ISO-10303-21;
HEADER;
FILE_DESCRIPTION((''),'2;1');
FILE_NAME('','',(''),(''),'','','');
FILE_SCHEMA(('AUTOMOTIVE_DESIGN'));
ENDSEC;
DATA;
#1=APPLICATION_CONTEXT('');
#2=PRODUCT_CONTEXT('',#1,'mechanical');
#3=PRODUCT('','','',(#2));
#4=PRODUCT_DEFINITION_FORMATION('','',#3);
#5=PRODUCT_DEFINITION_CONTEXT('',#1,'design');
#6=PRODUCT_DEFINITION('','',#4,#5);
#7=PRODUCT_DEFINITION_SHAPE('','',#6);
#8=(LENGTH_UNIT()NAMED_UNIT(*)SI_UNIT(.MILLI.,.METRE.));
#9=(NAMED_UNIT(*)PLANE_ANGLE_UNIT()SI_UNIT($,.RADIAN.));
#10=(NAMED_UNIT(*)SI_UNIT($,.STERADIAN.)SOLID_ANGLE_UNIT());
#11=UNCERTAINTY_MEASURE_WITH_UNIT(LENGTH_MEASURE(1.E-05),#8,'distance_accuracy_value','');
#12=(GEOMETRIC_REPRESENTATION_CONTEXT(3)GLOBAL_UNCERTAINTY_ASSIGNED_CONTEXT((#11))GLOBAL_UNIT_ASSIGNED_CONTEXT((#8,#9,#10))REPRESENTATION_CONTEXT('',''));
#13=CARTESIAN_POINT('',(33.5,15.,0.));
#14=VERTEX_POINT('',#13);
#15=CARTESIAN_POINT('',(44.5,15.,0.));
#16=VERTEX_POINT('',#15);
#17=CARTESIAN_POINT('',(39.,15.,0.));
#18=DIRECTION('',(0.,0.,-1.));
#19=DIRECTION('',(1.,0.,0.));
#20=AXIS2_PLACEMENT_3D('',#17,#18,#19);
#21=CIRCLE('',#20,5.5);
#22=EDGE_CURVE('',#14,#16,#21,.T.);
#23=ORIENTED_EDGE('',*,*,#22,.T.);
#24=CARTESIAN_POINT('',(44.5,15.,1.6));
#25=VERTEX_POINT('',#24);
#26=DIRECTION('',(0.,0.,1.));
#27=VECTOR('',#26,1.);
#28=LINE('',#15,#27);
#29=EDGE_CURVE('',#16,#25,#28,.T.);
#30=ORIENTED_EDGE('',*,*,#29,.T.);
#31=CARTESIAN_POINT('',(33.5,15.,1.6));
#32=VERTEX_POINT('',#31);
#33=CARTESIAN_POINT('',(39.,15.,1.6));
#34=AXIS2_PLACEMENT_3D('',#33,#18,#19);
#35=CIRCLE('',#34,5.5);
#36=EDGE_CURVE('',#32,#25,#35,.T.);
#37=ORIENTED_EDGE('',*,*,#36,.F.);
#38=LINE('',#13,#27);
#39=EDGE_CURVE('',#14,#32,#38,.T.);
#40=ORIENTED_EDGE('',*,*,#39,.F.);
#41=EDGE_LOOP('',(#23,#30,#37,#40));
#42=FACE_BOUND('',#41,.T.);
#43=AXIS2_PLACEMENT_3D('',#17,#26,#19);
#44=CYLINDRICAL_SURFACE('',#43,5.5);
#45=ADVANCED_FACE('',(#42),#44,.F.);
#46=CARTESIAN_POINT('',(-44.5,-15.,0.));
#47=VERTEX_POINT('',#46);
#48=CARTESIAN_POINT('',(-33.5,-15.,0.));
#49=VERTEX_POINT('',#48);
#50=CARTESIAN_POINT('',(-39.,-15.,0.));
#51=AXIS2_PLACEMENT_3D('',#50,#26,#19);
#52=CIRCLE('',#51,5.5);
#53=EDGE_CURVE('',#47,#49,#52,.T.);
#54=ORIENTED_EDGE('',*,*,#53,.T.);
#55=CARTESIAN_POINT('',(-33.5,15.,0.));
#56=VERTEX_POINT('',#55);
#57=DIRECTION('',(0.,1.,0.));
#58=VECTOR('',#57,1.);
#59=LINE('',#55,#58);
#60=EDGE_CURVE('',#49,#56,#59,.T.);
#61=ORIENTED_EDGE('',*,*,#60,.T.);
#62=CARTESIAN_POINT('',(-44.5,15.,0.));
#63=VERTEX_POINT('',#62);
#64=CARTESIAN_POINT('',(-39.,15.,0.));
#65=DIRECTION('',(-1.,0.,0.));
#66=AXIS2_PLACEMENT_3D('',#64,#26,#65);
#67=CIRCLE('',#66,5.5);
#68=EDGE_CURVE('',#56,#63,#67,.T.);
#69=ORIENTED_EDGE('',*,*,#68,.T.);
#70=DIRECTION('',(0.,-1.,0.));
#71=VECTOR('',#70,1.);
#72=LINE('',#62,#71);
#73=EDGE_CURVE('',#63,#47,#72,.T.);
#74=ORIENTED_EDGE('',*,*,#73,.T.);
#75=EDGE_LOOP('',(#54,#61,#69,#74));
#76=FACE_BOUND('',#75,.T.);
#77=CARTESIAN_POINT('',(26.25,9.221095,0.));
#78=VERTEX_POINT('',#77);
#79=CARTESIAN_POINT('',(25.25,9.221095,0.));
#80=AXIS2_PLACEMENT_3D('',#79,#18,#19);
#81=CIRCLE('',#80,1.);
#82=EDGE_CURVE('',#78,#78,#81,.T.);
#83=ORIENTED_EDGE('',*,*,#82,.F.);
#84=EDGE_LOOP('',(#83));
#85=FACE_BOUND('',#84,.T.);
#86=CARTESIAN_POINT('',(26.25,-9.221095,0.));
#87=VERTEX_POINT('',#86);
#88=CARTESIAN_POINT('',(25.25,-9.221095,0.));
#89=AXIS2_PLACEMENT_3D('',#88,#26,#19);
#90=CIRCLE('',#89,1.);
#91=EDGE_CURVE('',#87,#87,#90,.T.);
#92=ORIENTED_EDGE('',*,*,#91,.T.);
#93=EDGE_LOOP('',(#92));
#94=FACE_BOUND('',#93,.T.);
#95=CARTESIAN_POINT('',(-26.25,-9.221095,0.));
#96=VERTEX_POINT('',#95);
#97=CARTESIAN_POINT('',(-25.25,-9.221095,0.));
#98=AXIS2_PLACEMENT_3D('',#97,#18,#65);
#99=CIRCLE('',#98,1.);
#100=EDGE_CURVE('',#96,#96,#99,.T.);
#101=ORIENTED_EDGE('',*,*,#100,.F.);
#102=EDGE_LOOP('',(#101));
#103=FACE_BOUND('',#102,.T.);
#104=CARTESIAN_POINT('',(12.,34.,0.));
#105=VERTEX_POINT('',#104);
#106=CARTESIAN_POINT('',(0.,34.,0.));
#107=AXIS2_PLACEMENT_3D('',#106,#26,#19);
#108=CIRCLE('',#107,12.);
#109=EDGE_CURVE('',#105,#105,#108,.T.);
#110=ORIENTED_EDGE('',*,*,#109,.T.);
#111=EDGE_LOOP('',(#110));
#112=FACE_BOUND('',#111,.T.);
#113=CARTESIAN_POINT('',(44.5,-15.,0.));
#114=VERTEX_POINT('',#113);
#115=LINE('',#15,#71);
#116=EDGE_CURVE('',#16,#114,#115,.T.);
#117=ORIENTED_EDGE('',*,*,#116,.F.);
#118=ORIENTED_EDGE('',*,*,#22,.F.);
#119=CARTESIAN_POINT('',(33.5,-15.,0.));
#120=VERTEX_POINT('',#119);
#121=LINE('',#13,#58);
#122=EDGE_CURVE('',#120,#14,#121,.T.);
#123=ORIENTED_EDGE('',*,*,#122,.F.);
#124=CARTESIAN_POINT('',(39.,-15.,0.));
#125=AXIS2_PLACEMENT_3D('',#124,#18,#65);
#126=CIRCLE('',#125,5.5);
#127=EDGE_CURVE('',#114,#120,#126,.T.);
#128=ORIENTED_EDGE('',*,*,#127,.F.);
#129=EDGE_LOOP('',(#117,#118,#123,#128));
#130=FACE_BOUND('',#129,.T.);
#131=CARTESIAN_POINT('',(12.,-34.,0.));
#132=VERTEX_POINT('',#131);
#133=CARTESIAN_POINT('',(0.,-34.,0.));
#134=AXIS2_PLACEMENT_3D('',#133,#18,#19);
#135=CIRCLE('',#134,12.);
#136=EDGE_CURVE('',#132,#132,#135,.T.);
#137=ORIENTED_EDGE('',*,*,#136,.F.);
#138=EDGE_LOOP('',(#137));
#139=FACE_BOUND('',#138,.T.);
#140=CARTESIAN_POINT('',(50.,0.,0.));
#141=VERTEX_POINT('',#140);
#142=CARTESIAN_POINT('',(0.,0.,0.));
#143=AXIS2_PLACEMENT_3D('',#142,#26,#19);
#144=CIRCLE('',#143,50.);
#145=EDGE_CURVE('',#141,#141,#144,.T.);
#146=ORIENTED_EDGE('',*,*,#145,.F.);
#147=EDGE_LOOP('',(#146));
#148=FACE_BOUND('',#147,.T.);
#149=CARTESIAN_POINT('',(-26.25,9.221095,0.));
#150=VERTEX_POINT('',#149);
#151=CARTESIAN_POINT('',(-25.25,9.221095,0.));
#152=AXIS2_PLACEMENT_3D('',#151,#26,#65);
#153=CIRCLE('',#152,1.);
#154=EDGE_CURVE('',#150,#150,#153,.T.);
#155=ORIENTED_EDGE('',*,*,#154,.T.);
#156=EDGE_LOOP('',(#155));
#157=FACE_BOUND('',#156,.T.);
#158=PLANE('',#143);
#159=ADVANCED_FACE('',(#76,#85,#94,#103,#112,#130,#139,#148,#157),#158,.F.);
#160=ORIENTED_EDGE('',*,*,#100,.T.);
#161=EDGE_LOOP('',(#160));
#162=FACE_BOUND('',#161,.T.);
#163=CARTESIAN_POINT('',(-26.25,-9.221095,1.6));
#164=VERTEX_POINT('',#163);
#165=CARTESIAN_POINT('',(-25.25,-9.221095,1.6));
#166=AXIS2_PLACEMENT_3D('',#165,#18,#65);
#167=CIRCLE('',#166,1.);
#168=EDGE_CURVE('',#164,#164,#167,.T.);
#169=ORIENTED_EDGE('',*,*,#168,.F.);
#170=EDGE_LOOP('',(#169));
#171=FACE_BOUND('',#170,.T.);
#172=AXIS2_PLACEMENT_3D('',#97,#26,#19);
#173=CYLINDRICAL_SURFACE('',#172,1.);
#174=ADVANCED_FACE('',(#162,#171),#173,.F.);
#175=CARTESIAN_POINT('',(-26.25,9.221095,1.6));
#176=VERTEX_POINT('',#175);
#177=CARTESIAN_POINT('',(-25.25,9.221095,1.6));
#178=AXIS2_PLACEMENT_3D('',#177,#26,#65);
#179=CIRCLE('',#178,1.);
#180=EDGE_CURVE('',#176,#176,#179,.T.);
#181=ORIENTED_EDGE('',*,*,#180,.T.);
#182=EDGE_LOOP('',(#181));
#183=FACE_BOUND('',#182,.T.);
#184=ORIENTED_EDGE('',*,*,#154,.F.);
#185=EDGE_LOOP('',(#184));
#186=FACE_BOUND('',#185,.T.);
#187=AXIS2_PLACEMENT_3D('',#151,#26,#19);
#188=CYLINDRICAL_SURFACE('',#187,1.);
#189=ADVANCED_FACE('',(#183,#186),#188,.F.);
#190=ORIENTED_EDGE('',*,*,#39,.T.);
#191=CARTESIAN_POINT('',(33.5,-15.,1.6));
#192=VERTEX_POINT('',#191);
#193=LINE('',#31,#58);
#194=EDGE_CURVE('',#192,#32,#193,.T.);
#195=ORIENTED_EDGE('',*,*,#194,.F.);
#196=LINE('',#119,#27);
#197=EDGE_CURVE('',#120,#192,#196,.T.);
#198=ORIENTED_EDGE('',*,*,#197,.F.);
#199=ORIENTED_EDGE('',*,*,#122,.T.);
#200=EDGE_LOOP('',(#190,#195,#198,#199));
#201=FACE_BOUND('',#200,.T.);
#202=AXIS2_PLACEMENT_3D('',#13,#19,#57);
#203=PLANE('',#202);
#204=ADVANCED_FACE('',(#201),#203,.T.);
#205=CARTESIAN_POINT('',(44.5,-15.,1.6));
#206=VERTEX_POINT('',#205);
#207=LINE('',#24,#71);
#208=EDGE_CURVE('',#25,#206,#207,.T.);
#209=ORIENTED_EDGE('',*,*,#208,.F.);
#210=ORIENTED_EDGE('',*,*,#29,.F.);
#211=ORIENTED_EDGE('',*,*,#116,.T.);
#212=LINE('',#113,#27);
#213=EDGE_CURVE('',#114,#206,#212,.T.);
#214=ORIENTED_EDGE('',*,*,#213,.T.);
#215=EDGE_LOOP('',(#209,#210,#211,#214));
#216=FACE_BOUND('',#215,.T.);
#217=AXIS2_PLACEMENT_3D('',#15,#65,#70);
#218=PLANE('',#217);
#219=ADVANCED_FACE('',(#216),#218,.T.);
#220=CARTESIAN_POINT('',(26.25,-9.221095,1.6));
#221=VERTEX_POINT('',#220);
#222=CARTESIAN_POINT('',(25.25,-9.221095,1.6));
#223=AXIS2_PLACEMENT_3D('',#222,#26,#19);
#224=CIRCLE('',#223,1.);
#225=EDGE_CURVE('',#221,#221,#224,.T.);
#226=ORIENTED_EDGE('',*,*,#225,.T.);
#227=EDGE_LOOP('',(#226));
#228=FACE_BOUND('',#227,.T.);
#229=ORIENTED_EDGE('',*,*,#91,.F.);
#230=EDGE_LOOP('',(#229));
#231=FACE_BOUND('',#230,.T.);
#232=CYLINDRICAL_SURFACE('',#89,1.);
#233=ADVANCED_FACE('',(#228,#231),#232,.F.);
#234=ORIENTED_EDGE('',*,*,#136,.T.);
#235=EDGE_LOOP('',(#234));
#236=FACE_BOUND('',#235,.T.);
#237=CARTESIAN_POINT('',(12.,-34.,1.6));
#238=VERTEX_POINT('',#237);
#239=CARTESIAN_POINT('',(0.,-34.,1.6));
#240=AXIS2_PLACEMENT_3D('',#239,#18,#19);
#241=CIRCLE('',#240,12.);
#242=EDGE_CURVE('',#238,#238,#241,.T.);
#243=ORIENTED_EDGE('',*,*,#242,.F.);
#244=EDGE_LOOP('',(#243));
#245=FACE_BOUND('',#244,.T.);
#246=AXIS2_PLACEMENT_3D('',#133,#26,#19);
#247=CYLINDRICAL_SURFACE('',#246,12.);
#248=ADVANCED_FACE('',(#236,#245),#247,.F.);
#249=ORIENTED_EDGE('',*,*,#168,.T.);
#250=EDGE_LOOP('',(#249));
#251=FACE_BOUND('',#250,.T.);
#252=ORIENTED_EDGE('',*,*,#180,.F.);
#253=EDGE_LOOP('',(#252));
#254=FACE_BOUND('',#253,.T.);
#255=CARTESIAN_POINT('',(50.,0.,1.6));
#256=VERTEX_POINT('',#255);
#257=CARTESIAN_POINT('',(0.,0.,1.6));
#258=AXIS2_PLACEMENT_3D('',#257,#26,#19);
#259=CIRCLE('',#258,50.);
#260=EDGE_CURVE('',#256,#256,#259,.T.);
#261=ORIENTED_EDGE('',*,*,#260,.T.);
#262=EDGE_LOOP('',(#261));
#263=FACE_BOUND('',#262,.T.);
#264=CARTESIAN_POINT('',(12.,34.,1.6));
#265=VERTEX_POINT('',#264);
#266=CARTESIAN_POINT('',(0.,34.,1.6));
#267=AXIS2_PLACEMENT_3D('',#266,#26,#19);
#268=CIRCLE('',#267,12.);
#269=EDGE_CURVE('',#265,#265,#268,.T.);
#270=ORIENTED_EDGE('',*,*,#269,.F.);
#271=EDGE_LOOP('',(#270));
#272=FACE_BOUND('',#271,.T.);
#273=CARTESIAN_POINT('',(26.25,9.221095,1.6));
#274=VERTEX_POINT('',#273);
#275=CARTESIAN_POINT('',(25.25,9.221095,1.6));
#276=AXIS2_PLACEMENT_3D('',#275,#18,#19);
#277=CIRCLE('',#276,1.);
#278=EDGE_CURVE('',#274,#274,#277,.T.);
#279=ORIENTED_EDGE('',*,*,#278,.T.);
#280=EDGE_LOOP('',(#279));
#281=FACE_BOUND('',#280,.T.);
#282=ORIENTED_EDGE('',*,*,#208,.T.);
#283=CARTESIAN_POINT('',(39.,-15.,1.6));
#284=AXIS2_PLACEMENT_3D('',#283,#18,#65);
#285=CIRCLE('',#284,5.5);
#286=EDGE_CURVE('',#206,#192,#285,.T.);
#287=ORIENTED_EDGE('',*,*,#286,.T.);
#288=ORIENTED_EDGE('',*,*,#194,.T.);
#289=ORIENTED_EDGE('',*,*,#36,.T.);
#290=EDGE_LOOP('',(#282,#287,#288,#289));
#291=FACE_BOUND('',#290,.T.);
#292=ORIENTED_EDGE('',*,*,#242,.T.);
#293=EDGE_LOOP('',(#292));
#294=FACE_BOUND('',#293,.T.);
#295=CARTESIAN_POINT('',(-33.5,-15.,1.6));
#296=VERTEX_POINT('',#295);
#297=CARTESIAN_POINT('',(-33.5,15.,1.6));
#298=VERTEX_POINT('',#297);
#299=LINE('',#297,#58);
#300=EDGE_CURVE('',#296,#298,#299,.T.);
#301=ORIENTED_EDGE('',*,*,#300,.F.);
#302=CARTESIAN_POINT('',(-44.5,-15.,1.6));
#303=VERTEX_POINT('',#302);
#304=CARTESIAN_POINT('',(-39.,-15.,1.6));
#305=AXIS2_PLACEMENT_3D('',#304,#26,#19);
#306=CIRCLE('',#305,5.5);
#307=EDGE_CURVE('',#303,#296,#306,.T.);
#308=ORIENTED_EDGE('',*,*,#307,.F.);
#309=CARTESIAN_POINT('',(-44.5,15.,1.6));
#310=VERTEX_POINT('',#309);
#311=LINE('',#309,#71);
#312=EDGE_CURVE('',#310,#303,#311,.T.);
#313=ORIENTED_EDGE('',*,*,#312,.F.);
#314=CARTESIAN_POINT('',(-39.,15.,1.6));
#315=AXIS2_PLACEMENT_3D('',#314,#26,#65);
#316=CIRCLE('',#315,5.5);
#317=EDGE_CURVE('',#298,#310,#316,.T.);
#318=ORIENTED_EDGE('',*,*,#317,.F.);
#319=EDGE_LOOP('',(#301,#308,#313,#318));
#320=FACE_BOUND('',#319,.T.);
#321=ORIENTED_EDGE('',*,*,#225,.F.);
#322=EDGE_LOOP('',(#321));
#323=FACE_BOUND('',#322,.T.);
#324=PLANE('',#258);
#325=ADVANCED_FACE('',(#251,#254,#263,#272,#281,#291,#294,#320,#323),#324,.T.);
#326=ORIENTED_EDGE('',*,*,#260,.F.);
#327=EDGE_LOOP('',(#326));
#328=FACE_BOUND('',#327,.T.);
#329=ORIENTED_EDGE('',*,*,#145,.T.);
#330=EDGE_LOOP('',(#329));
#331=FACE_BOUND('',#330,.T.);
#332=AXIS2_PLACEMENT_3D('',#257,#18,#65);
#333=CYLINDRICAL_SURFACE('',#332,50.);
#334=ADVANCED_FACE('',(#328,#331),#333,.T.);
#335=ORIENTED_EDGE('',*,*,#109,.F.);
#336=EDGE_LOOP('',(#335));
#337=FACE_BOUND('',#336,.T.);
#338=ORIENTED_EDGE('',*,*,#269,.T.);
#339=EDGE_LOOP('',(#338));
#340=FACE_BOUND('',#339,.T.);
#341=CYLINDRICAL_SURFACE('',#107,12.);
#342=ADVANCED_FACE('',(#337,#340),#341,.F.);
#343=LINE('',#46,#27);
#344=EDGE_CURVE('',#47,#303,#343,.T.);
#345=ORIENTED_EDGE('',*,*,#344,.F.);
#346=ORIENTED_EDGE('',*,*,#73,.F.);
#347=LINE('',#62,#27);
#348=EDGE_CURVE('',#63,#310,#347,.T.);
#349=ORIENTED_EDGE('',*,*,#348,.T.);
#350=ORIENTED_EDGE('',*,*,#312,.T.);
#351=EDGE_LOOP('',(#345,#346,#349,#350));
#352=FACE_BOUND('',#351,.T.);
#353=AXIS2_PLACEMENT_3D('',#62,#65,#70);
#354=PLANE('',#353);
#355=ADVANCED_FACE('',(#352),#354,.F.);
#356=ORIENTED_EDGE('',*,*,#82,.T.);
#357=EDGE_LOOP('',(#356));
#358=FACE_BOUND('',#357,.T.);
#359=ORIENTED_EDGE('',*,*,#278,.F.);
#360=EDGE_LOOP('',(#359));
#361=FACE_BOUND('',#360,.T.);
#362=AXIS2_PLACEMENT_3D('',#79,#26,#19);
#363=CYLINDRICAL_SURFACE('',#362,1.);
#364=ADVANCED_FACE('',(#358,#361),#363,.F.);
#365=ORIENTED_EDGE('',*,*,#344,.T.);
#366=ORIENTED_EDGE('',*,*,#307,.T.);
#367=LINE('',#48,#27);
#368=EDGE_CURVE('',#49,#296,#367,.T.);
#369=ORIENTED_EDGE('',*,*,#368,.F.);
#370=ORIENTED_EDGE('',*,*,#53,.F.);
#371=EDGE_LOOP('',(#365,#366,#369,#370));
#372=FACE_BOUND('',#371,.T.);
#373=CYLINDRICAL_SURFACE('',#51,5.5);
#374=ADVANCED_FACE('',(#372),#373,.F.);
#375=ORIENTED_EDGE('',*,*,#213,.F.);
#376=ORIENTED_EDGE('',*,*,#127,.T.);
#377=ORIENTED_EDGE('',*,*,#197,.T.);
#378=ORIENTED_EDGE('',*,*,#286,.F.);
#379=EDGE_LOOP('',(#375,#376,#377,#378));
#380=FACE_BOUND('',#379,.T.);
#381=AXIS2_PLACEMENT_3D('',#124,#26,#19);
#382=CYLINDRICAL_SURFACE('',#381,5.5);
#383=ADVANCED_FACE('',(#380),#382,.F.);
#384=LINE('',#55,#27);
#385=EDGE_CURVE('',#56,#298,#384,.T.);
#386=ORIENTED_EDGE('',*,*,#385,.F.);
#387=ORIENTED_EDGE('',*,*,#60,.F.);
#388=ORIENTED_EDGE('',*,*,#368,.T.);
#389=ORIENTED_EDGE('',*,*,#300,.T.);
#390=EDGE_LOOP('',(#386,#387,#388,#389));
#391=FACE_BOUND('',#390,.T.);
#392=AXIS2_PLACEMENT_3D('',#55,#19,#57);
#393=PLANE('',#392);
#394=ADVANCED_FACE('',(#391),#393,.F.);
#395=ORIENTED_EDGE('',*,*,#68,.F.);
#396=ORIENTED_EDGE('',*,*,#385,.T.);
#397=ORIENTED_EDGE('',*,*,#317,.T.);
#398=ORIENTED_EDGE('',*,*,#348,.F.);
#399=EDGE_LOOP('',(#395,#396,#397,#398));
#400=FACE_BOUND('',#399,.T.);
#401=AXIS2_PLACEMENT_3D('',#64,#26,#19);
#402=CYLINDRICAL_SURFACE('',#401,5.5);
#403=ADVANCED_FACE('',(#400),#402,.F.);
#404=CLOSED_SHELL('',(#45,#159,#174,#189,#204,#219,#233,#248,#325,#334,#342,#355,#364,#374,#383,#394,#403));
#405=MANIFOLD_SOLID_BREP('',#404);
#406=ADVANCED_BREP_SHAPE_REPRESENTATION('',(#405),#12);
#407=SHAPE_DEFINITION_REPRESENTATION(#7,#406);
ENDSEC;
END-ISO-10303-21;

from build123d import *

# Parameters (mm, degrees)
ESQUISSE1_R               = 50
BOSS_EXTRU_1_DEPTH        = 1.6
ENL_V_MAT_EXTRU_1_DEPTH   = 1.6
ESQUISSE4_R               = 12
ENL_V_MAT_EXTRU_3_DEPTH   = 1.6
ESQUISSE7_R               = 1
ENL_V_MAT_EXTRU_4_DEPTH   = 1.6
SYM_TRIE8_COPY_1_SKETCH_R = 1
SYM_TRIE8_COPY_1_DEPTH    = 1.6


with BuildPart() as part:
    # Esquisse1 → Boss.-Extru.1 (new body)
    with BuildSketch(Plane.XY):
        Circle(ESQUISSE1_R)
    extrude(amount=BOSS_EXTRU_1_DEPTH)

    # Esquisse2 → Enlèv. mat.-Extru.1 (cut)
    with BuildSketch(Plane.XY.offset(1.6)):
        with BuildLine():
            Line((-33.5, 15), (-33.5, -15))
            ThreePointArc((-33.5, -15), (-39, -20.5), (-44.5, -15))
            Line((-44.5, -15), (-44.5, 15))
            ThreePointArc((-44.5, 15), (-39, 20.5), (-33.5, 15))
        make_face()
    enl_v_mat_extru_1 = extrude(amount=-ENL_V_MAT_EXTRU_1_DEPTH, mode=Mode.SUBTRACT)

    # Symétrie1: Enlèv. mat.-Extru.1 across plane
    add(enl_v_mat_extru_1.mirror(Plane(origin=(0, 0, 0), x_dir=(0, 0, 1), z_dir=(1, 0, 0))), mode=Mode.SUBTRACT)

    # Esquisse4 → Enlèv. mat.-Extru.3 (cut)
    with BuildSketch(Plane.XY.offset(1.6)):
        with Locations((0, 34)):
            Circle(ESQUISSE4_R)
    enl_v_mat_extru_3 = extrude(amount=-ENL_V_MAT_EXTRU_3_DEPTH, mode=Mode.SUBTRACT)

    # Symétrie6: Enlèv. mat.-Extru.3 across plane
    add(enl_v_mat_extru_3.mirror(Plane.ZX), mode=Mode.SUBTRACT)

    # Esquisse7 → Enlèv. mat.-Extru.4 (cut)
    with BuildSketch(Plane.XY.offset(1.6)):
        with Locations((25.25, -9.221094574)):
            Circle(ESQUISSE7_R)
    enl_v_mat_extru_4 = extrude(amount=-ENL_V_MAT_EXTRU_4_DEPTH, mode=Mode.SUBTRACT)

    # Symétrie7: Enlèv. mat.-Extru.4 across plane
    add(enl_v_mat_extru_4.mirror(Plane.ZX), mode=Mode.SUBTRACT)

    # Symétrie8: Enlèv. mat.-Extru.4 across plane
    add(enl_v_mat_extru_4.mirror(Plane(origin=(0, 0, 0), x_dir=(0, 0, 1), z_dir=(1, 0, 0))), mode=Mode.SUBTRACT)

    # Symétrie8 copy 1 sketch → Symétrie8 copy 1 (cut)
    with BuildSketch(Plane(origin=(0, 0, 1.6), x_dir=(-1, 0, 0), z_dir=(0, 0, 1))):
        with Locations((25.25, -9.221094574)):
            Circle(SYM_TRIE8_COPY_1_SKETCH_R)
    extrude(amount=-SYM_TRIE8_COPY_1_DEPTH, mode=Mode.SUBTRACT)


solid = part.part
